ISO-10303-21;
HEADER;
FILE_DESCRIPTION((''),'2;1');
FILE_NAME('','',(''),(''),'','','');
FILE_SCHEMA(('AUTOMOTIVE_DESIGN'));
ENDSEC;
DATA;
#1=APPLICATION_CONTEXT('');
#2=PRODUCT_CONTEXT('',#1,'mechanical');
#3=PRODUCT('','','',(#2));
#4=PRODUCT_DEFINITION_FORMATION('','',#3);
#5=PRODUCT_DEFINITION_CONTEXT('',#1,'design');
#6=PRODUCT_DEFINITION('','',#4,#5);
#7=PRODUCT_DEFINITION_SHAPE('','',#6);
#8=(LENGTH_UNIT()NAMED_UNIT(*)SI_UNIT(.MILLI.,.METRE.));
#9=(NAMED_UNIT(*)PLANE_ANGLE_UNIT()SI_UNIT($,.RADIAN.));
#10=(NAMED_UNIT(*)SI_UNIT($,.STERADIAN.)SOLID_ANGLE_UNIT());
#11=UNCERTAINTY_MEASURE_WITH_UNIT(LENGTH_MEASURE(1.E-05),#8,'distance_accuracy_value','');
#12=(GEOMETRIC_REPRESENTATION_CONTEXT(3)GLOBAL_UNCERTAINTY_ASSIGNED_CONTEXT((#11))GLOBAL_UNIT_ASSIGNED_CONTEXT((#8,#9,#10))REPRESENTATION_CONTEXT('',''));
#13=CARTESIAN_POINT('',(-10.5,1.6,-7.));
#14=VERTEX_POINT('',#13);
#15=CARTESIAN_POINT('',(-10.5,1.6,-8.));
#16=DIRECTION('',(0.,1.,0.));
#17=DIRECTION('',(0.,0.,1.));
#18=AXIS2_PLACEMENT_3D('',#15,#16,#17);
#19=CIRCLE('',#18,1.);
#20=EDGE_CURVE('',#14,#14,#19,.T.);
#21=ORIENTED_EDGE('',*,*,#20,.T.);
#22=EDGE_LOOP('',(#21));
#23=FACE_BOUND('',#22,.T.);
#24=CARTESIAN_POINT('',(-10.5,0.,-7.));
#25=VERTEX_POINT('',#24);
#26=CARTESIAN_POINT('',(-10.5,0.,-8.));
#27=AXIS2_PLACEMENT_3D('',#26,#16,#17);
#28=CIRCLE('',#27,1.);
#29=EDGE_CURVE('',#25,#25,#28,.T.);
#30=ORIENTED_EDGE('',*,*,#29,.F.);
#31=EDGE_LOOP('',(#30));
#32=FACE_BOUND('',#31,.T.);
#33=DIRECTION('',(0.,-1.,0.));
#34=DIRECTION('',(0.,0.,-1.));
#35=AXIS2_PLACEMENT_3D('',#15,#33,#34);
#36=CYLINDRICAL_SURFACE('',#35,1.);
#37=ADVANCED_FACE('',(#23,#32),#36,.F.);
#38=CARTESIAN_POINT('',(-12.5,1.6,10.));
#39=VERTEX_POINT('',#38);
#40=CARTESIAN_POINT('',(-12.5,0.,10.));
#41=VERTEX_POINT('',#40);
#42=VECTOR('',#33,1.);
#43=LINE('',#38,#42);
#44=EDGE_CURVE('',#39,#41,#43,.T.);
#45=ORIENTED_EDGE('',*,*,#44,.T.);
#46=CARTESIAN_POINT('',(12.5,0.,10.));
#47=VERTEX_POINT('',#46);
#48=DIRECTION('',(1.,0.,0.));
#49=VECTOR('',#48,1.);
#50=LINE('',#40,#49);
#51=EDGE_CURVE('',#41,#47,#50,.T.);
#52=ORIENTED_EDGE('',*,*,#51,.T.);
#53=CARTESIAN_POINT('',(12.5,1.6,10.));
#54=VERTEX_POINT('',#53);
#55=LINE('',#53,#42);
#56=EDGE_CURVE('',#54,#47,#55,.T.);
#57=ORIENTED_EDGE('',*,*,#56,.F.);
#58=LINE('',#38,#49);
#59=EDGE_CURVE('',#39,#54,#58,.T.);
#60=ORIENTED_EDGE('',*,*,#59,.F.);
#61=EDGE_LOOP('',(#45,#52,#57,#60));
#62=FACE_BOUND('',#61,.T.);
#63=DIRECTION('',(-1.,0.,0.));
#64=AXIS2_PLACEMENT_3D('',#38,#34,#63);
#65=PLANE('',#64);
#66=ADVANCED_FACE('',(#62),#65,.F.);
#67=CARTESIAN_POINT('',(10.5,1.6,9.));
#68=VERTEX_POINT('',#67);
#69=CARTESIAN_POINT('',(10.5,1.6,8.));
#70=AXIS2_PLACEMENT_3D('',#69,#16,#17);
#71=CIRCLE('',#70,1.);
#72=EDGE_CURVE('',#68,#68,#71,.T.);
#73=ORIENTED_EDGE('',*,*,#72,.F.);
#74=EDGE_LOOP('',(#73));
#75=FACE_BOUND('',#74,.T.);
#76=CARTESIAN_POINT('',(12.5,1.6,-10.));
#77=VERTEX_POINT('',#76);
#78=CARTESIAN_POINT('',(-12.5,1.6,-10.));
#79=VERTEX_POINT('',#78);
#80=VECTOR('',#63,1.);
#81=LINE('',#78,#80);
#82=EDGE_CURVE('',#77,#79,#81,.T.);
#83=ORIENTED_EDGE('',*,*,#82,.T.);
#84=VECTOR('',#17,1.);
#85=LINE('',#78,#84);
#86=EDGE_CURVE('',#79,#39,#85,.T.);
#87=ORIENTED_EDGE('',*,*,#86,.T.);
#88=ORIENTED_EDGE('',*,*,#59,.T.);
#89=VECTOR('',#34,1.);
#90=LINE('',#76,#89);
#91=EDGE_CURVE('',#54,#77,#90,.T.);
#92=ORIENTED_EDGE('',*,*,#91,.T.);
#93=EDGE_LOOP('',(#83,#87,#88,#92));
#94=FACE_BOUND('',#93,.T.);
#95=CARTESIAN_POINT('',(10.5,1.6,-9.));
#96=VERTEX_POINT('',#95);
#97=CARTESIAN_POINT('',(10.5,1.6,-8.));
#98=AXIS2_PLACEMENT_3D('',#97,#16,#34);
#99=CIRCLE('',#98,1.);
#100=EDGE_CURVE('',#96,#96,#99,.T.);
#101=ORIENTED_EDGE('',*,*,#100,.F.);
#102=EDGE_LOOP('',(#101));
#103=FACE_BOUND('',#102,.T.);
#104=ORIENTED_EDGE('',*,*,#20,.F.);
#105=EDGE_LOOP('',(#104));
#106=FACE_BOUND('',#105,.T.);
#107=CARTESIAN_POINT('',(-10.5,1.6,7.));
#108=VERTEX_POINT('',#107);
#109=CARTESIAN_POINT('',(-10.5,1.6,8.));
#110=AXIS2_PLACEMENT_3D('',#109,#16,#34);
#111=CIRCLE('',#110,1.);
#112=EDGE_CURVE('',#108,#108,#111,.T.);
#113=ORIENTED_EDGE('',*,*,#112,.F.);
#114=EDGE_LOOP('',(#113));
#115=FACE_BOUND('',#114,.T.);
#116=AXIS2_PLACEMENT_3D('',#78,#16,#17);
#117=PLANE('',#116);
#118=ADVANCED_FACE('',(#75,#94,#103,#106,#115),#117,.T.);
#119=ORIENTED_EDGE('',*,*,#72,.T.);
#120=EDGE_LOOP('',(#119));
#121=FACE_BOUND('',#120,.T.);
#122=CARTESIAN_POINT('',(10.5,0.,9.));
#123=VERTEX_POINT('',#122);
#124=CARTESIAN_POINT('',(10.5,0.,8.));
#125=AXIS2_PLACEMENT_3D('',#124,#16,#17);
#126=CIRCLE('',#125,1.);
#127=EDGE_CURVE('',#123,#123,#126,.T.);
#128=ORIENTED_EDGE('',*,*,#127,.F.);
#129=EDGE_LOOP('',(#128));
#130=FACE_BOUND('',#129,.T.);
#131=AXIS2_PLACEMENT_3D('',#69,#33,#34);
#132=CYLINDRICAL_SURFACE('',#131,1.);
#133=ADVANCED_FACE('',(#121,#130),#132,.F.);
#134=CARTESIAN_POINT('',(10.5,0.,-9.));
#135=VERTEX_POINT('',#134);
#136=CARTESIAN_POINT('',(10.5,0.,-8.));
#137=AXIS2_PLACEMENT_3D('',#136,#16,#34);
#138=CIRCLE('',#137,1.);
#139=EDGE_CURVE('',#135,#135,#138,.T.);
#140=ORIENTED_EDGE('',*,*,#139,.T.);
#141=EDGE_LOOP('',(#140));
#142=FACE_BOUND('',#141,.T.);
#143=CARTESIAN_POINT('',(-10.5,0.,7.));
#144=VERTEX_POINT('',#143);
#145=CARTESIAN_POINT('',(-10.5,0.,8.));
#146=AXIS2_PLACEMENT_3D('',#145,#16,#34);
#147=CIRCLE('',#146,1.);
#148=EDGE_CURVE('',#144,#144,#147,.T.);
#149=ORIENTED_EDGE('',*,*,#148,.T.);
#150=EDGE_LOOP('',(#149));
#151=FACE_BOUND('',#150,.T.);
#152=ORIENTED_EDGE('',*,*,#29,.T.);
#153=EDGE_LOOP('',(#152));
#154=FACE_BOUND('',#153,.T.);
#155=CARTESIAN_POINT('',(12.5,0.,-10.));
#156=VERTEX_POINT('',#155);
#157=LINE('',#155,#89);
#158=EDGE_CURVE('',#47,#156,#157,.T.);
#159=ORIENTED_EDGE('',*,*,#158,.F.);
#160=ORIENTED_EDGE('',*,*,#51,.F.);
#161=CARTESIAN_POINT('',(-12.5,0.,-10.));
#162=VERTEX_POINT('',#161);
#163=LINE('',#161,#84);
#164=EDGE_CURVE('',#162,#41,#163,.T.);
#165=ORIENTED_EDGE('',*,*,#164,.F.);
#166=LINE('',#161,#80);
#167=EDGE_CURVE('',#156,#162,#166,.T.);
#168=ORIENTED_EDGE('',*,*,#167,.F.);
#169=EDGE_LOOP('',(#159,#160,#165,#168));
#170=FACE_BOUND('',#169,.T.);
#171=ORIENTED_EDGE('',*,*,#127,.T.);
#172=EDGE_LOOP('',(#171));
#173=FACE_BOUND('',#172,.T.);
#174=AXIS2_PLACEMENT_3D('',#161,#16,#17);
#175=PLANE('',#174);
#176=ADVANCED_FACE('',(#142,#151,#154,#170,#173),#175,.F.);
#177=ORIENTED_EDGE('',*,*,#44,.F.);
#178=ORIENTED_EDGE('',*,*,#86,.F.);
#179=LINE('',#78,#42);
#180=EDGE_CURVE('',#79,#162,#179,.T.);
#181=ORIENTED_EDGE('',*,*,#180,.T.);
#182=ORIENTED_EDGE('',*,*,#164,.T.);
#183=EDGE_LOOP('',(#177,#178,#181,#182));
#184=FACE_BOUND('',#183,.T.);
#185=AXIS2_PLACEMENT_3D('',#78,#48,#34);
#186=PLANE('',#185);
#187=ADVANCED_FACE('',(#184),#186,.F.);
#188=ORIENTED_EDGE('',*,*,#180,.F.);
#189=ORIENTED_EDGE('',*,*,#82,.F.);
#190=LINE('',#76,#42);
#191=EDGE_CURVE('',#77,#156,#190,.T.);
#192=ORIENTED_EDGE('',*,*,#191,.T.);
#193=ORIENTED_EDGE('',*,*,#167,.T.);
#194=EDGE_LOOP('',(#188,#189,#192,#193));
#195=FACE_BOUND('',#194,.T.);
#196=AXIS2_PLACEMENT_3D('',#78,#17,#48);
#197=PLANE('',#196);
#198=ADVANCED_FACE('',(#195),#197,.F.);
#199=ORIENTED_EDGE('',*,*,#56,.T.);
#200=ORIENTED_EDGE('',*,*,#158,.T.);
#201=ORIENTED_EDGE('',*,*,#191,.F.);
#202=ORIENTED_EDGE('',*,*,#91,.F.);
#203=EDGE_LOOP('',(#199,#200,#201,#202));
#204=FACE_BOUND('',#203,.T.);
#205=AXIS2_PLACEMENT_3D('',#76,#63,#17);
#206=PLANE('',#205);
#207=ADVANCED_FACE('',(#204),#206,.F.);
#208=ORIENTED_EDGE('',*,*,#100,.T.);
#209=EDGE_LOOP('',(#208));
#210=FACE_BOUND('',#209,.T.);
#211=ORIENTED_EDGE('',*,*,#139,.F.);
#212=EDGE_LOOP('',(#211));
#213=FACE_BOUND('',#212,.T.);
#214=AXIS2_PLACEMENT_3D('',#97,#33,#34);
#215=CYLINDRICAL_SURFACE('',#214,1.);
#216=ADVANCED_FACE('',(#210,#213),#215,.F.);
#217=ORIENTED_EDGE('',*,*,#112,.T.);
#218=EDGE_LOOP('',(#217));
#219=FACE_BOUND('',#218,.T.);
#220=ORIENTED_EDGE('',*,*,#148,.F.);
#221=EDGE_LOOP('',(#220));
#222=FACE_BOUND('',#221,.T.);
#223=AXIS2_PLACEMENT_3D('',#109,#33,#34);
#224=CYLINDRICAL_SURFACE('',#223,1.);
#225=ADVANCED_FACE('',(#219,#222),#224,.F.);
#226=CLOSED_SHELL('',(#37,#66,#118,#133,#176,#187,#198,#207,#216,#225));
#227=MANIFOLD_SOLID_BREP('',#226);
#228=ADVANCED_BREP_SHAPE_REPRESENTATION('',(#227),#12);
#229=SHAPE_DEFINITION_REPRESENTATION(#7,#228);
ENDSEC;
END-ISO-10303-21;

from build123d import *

# Parameters (mm, degrees)
ESQUISSE1_W      = 25
ESQUISSE1_H      = 20
ESQUISSE1_R      = 1
EXTRUSION1_DEPTH = 1.6


with BuildPart() as part:
    # Esquisse1 → Extrusion1 (new body)
    with BuildSketch(Plane(origin=(0, 0, 0), x_dir=(1, 0, 0), z_dir=(0, 1, 0))):
        Rectangle(ESQUISSE1_W, ESQUISSE1_H)
        with Locations(Location((-10.5, 8, 0), (0, 0, 270))):
            Circle(ESQUISSE1_R, mode=Mode.SUBTRACT)
        with Locations(Location((10.5, 8, 0), (0, 0, 90))):
            Circle(ESQUISSE1_R, mode=Mode.SUBTRACT)
        with Locations(Location((10.5, -8, 0), (0, 0, 270))):
            Circle(ESQUISSE1_R, mode=Mode.SUBTRACT)
        with Locations(Location((-10.5, -8, 0), (0, 0, 90))):
            Circle(ESQUISSE1_R, mode=Mode.SUBTRACT)
    extrude(amount=EXTRUSION1_DEPTH)


solid = part.part
